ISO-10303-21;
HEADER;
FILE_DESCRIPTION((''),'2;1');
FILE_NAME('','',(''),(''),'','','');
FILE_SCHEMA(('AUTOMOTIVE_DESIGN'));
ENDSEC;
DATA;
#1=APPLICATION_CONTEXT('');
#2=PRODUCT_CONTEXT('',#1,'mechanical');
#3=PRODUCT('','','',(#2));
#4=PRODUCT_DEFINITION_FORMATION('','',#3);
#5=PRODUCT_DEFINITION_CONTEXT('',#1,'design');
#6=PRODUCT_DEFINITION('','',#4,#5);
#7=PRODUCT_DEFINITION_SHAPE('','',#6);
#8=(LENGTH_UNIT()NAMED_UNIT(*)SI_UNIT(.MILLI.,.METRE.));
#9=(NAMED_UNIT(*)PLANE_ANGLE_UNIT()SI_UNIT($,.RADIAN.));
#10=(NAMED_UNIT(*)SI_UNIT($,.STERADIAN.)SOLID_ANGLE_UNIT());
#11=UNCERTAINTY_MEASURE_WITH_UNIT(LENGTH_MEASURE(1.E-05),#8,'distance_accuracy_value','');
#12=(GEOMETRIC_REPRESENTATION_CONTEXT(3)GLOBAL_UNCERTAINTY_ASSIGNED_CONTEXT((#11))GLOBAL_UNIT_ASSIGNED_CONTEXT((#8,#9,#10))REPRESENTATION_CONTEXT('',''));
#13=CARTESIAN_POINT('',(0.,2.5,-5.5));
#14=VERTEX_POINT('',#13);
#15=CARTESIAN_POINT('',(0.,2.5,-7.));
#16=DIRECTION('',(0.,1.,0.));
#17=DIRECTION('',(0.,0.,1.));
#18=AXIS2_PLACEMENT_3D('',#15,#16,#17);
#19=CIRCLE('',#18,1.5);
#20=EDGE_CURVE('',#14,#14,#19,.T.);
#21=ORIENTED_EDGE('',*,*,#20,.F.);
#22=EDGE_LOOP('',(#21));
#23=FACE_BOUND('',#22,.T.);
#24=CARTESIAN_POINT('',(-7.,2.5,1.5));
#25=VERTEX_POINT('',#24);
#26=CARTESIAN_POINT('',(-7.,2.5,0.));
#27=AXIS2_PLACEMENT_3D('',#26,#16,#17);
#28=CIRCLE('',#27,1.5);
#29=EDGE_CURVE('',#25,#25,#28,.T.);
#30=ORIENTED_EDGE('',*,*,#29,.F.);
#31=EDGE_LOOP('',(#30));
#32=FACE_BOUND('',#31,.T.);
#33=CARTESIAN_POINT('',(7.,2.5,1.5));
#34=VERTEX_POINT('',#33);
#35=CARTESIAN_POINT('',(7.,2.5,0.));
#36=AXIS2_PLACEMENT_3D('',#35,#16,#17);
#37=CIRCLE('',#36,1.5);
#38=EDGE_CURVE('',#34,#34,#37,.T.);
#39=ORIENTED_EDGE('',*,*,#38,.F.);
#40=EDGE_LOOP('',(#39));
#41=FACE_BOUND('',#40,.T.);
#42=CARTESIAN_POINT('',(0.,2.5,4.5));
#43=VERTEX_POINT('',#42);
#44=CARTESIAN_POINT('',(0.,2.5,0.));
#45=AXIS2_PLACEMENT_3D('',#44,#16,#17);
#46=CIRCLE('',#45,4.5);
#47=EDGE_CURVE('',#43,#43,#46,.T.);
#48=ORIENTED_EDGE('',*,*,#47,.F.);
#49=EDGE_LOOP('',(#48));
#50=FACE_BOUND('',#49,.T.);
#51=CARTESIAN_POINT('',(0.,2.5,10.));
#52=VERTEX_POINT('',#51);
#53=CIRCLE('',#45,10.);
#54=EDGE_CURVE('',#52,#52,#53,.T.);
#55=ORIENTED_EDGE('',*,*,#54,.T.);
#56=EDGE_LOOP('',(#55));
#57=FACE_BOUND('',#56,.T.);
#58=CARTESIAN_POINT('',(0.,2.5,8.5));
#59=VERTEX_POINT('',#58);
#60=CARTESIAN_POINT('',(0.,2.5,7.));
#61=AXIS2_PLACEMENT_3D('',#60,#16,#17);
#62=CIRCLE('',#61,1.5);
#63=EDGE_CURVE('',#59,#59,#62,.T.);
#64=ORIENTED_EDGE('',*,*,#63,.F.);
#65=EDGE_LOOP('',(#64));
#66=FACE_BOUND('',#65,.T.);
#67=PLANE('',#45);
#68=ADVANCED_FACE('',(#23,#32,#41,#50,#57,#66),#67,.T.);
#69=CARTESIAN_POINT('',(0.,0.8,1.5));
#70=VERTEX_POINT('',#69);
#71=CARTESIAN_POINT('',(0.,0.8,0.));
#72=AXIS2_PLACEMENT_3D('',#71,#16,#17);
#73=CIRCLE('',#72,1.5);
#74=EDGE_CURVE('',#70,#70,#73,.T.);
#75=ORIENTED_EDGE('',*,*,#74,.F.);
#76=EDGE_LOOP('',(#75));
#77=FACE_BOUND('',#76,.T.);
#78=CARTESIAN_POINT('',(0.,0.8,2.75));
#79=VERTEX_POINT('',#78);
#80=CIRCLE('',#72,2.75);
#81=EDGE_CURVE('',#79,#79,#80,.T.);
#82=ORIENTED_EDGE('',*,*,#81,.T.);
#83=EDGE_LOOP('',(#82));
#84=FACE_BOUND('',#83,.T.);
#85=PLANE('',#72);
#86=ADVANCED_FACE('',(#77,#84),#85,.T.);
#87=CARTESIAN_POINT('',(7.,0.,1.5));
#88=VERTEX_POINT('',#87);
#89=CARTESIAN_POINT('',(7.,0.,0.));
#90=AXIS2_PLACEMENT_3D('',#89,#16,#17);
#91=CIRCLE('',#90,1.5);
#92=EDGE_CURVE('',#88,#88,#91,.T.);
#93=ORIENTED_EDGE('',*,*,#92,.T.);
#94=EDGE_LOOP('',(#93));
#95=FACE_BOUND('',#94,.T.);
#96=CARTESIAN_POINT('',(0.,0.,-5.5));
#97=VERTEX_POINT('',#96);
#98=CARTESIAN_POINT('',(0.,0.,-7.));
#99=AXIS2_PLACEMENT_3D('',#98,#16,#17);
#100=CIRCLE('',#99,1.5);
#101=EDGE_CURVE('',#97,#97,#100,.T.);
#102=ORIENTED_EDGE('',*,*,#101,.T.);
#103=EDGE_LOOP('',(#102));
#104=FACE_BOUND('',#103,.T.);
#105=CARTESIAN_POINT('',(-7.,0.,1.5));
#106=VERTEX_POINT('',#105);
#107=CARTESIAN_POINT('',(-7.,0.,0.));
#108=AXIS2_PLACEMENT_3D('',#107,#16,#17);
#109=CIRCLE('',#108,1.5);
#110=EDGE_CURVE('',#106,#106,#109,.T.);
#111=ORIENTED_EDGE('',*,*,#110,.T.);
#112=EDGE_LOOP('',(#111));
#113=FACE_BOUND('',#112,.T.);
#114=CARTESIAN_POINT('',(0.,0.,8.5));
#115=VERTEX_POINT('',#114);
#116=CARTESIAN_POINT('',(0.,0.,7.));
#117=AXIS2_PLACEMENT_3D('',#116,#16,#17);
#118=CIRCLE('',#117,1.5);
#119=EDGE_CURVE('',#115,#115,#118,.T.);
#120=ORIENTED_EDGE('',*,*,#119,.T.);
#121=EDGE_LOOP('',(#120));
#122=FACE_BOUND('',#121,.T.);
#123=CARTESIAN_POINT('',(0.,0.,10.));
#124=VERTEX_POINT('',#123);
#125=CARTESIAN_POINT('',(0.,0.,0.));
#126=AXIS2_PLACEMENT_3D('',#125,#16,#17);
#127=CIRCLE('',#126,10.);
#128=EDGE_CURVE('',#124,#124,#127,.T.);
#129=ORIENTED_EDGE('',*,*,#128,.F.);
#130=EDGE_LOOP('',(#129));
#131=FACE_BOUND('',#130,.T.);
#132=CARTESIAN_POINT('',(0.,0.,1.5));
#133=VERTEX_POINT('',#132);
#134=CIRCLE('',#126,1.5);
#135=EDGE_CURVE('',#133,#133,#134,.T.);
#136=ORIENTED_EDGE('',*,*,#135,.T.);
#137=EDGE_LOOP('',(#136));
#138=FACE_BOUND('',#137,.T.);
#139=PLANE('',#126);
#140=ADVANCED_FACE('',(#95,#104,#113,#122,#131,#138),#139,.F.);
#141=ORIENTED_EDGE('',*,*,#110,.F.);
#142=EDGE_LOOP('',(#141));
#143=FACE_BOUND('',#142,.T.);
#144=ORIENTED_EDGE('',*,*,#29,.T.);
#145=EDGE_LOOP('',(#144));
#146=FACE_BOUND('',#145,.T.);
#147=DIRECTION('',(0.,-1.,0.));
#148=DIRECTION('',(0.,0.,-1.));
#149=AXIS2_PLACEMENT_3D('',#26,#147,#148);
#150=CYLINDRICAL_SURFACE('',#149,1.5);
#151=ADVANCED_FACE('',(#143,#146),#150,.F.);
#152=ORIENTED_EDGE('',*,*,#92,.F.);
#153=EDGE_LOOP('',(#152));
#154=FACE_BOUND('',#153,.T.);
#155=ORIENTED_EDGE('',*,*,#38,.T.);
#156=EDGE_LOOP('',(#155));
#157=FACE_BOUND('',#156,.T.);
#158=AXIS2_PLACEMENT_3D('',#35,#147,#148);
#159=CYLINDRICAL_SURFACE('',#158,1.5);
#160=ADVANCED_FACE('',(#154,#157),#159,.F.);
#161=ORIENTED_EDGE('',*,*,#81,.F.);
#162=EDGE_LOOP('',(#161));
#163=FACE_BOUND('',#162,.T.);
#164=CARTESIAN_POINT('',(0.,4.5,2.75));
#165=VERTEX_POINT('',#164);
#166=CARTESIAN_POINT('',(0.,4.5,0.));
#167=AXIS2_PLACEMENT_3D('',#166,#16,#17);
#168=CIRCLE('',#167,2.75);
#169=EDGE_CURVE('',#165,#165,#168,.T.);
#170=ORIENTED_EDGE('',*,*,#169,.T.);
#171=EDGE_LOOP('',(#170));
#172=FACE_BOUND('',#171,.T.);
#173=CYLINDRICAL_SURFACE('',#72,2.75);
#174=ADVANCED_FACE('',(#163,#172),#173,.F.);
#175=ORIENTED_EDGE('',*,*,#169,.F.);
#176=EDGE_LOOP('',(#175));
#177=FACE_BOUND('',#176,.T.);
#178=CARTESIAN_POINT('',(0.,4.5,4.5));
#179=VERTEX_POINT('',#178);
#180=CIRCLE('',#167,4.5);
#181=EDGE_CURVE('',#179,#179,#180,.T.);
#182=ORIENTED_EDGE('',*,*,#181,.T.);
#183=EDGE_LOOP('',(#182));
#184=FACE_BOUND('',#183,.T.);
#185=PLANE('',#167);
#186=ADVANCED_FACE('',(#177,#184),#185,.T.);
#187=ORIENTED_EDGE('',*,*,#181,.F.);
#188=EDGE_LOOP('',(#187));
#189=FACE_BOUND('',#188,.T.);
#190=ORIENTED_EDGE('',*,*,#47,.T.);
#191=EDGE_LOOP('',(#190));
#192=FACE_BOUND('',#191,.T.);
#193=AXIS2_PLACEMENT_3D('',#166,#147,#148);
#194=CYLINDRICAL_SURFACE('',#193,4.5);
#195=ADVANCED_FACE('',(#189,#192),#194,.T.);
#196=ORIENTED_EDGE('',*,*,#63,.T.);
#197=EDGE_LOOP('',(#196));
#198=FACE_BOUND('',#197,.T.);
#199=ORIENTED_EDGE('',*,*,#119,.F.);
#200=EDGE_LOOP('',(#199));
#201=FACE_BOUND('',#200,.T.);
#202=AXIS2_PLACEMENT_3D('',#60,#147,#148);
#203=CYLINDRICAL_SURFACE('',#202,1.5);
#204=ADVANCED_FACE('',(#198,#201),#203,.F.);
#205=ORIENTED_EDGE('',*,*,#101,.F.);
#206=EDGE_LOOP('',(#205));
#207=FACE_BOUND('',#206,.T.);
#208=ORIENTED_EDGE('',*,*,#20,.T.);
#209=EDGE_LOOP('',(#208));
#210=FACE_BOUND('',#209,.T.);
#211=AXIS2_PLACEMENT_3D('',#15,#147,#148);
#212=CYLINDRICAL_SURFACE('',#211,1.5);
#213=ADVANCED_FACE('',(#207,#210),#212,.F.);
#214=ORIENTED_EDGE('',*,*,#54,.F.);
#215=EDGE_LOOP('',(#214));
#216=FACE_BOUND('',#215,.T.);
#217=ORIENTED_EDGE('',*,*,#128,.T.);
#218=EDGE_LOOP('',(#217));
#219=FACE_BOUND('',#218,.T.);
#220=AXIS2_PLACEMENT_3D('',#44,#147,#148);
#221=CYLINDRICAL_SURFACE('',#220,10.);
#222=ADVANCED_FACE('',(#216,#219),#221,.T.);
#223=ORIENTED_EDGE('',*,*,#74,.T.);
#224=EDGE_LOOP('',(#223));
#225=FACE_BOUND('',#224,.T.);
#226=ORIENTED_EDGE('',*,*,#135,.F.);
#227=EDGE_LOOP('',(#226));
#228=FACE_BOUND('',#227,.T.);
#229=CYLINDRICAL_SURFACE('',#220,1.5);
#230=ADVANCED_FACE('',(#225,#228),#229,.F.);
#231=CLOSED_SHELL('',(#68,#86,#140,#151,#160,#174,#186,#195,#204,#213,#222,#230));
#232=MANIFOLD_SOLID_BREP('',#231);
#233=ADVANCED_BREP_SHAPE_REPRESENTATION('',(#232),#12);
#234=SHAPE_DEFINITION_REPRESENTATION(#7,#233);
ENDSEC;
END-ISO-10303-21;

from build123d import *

# Parameters (mm, degrees)
SKETCH1_R           = 10
SKETCH1_R_2         = 1.5
BOSS_EXTRUDE1_DEPTH = 2.5
SKETCH2_R           = 4.5
SKETCH2_R_2         = 1.5
BOSS_EXTRUDE2_DEPTH = 2
SKETCH3_R           = 2.75
CUT_EXTRUDE1_DEPTH  = 3.7


with BuildPart() as part:
    # Sketch1 → Boss-Extrude1 (new body)
    with BuildSketch(Plane(origin=(0, 0, 0), x_dir=(1, 0, 0), z_dir=(0, 1, 0))):
        with Locations(Location((0, 0, 0), (0, 0, 270))):
            Circle(SKETCH1_R)
        with Locations(Location((0, 7, 0), (0, 0, 270))):
            Circle(SKETCH1_R_2, mode=Mode.SUBTRACT)
        with Locations(Location((7, 0, 0), (0, 0, 270))):
            Circle(SKETCH1_R_2, mode=Mode.SUBTRACT)
        with Locations(Location((0, -7, 0), (0, 0, 270))):
            Circle(SKETCH1_R_2, mode=Mode.SUBTRACT)
        with Locations(Location((-7, 0, 0), (0, 0, 270))):
            Circle(SKETCH1_R_2, mode=Mode.SUBTRACT)
        with Locations(Location((0, 0, 0), (0, 0, 270))):
            Circle(SKETCH1_R_2, mode=Mode.SUBTRACT)
    extrude(amount=BOSS_EXTRUDE1_DEPTH)

    # Sketch2 → Boss-Extrude2 (add)
    with BuildSketch(Plane(origin=(0, 2.5, 0), x_dir=(1, 0, 0), z_dir=(0, 1, 0))):
        with Locations(Location((0, 0, 0), (0, 0, 270))):
            Circle(SKETCH2_R)
        with Locations(Location((0, 0, 0), (0, 0, 270))):
            Circle(SKETCH2_R_2, mode=Mode.SUBTRACT)
    extrude(amount=BOSS_EXTRUDE2_DEPTH)

    # Sketch3 → Cut-Extrude1 (cut)
    with BuildSketch(Plane(origin=(0, 4.5, 0), x_dir=(1, 0, 0), z_dir=(0, 1, 0))):
        with Locations(Location((0, 0, 0), (0, 0, 270))):
            Circle(SKETCH3_R)
    extrude(amount=-CUT_EXTRUDE1_DEPTH, mode=Mode.SUBTRACT)


solid = part.part
